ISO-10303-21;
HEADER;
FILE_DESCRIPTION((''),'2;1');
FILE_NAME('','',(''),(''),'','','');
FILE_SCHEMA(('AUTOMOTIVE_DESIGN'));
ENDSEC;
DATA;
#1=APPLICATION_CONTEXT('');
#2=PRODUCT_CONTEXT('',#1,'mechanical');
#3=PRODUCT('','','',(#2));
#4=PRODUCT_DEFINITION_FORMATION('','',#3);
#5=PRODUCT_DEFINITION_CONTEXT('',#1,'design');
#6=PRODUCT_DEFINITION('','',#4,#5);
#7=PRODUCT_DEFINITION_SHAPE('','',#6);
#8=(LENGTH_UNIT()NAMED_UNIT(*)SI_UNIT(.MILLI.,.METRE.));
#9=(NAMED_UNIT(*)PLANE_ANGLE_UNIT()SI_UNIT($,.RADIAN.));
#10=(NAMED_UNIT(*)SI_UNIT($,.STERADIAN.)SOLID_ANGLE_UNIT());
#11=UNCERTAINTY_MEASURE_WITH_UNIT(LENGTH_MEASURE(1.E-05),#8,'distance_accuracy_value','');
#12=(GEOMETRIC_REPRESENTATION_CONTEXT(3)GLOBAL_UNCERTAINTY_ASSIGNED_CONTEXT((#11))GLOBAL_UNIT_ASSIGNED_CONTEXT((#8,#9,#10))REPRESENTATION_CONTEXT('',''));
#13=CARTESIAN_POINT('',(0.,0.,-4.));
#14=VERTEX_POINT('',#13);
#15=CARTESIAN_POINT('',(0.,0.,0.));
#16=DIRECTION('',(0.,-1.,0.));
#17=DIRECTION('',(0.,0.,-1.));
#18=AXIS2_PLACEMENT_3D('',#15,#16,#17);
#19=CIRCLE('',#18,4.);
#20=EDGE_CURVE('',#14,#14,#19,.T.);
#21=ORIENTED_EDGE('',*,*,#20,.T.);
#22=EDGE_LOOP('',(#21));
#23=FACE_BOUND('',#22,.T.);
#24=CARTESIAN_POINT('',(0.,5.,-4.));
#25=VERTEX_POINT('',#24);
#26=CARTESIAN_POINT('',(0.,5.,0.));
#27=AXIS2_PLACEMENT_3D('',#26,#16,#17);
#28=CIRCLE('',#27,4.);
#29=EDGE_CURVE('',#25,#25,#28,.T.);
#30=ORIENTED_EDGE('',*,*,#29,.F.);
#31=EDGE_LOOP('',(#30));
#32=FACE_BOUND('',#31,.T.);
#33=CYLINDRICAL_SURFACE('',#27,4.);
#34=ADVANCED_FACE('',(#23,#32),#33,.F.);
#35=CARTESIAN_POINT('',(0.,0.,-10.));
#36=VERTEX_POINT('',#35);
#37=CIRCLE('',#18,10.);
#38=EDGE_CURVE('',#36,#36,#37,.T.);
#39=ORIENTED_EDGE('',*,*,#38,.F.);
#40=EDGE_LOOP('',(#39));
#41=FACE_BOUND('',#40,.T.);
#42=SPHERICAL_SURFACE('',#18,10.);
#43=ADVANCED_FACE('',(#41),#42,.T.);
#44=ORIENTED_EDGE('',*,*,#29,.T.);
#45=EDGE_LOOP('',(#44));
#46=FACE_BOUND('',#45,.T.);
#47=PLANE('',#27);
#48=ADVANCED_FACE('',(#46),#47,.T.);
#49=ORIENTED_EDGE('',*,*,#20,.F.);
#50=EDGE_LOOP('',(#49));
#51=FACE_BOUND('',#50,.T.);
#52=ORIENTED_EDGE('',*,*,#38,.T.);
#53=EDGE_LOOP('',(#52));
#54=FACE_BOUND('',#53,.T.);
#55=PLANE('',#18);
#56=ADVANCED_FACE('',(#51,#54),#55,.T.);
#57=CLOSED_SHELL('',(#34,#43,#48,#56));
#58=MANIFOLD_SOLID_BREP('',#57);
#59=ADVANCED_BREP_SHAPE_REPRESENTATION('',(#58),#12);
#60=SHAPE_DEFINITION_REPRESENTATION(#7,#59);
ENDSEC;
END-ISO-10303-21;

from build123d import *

# Parameters (mm, degrees)
REVOLVE1_ANGLE     = 180
SKETCH2_R          = 4
CUT_EXTRUDE1_DEPTH = 5


with BuildPart() as part:
    # Sketch1 → Revolve1 (revolve)
    with BuildSketch(Plane(origin=(0, 0, 0), x_dir=(1, 0, 0), z_dir=(0, 1, 0))):
        with BuildLine():
            Line((-10, 0), (10, 0))
            ThreePointArc((10, 0), (0, 10), (-10, 0))
        make_face()
    revolve(axis=Axis((-10, 0, 0), (1, 0, 0)), revolution_arc=REVOLVE1_ANGLE)

    # Sketch2 → Cut-Extrude1 (cut)
    with BuildSketch(Plane.XZ):
        with Locations(Location((0, 0, 0), (0, 0, 270))):
            Circle(SKETCH2_R)
    extrude(amount=-CUT_EXTRUDE1_DEPTH, mode=Mode.SUBTRACT)


solid = part.part
